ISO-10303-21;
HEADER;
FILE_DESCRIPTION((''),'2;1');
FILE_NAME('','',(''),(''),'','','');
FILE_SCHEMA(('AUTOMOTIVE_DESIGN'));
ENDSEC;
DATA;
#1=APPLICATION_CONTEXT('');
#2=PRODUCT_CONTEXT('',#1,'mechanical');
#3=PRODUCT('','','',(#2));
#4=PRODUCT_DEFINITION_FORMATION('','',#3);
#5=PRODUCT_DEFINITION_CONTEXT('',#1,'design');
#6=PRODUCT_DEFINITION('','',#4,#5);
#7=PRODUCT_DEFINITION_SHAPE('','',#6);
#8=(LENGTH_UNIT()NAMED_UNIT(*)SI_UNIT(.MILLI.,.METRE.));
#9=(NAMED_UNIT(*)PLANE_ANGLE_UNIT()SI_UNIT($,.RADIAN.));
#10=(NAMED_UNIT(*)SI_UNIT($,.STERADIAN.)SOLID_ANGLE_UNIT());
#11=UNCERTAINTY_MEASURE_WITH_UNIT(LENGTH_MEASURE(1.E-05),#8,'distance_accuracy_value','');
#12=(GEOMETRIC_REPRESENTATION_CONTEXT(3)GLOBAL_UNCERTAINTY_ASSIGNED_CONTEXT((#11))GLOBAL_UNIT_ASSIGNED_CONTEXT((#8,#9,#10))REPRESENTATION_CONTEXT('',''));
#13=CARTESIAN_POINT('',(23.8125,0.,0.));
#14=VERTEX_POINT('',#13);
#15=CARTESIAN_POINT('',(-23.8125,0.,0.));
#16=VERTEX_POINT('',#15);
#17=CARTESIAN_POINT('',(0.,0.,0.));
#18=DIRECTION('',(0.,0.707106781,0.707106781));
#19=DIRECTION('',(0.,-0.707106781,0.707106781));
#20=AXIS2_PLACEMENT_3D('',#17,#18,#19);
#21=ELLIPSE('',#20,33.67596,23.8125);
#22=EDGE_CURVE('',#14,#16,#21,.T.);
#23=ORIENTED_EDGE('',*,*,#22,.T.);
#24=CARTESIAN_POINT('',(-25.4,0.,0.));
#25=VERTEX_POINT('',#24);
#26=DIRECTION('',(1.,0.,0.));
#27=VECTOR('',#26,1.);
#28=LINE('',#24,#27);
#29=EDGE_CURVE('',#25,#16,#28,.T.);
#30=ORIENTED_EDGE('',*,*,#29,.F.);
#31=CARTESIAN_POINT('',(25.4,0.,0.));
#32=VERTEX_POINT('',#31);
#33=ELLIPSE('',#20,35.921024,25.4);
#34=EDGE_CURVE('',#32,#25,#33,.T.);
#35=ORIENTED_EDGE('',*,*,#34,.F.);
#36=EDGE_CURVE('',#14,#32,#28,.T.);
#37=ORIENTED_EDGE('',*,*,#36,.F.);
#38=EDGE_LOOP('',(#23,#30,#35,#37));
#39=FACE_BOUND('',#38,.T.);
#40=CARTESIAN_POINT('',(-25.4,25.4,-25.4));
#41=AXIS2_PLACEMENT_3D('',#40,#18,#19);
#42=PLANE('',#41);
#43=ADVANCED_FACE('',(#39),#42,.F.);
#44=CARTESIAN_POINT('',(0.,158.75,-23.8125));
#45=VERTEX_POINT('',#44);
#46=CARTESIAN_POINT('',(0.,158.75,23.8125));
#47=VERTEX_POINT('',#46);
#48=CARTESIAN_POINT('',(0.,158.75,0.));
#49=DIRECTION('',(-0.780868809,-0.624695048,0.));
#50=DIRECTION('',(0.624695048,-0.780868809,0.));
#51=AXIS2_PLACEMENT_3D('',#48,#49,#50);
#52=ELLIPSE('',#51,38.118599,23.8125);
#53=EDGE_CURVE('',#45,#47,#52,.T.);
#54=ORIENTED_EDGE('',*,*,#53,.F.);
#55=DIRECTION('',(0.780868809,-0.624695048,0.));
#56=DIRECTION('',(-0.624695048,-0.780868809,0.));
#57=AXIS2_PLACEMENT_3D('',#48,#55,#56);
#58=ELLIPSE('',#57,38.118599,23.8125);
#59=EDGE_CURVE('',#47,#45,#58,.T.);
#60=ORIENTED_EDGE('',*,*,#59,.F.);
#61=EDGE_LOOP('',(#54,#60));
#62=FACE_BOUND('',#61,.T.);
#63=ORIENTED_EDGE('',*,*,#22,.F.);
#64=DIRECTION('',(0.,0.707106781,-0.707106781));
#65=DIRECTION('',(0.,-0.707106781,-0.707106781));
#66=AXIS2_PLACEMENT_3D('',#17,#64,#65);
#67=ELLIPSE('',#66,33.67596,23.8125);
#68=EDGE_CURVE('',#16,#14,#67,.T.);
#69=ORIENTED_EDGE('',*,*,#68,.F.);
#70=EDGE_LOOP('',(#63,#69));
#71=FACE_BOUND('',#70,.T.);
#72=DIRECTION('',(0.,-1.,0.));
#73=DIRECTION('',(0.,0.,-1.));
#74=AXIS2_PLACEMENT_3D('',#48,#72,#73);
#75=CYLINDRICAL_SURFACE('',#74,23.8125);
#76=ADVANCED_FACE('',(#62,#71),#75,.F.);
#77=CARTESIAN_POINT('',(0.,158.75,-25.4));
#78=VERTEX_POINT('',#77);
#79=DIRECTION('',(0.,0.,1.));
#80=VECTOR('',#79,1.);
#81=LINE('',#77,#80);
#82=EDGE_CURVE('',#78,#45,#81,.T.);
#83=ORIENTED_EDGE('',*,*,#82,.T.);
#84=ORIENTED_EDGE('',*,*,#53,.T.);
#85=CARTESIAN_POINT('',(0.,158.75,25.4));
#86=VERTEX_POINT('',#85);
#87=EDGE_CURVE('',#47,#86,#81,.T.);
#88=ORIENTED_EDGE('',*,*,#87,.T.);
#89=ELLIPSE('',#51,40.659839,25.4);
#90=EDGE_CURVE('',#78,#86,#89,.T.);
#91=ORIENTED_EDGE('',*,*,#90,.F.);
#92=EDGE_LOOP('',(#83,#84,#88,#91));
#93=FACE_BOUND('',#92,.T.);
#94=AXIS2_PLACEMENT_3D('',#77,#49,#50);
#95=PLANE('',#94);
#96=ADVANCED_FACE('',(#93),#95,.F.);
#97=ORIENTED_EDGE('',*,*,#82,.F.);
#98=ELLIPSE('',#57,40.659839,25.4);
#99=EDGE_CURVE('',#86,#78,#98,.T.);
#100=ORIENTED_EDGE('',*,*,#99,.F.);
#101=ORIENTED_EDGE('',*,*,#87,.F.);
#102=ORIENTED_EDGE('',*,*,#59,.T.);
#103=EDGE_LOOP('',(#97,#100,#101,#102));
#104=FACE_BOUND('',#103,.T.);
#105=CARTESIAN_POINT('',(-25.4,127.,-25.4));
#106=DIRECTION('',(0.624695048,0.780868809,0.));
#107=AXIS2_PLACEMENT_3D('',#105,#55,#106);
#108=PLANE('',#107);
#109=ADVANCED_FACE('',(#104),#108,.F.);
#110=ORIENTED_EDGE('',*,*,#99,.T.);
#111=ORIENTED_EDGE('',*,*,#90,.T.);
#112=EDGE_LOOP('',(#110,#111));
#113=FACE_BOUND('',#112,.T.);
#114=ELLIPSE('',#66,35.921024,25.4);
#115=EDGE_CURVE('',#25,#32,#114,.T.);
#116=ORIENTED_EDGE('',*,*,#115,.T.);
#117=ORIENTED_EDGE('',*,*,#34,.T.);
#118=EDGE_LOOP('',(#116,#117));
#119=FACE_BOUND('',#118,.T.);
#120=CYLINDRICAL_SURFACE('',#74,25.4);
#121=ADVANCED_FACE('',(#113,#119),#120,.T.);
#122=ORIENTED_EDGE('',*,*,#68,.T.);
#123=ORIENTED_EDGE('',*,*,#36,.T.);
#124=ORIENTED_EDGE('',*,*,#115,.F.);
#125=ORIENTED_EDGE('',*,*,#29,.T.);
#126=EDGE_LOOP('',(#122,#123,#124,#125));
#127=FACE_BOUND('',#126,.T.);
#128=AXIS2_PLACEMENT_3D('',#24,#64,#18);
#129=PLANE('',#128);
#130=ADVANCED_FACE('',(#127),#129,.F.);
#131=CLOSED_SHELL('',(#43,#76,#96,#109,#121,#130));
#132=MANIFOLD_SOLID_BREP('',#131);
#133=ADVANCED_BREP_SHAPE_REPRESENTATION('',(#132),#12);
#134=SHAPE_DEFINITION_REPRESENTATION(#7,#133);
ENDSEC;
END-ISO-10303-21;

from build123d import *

# Parameters (mm, degrees)
SKETCH1_R               = 25.4
SKETCH1_R_2             = 23.8125
BOSS_EXTRUDE1_DEPTH     = 158.75
CUT_EXTRUDE1_DEPTH      = 163.763271348
CUT_EXTRUDE1_DEPTH_BACK = 163.763271348
CUT_EXTRUDE2_DEPTH      = 163.763271348
CUT_EXTRUDE2_DEPTH_BACK = 163.763271348


with BuildPart() as part:
    # Sketch1 → Boss-Extrude1 (new body)
    with BuildSketch(Plane(origin=(0, 0, 0), x_dir=(1, 0, 0), z_dir=(0, 1, 0))):
        with Locations(Location((0, 0, 0), (0, 0, 90))):
            Circle(SKETCH1_R)
        with Locations(Location((0, 0, 0), (0, 0, 90))):
            Circle(SKETCH1_R_2, mode=Mode.SUBTRACT)
    extrude(amount=BOSS_EXTRUDE1_DEPTH)

    # Sketch2 → Cut-Extrude1 (cut, two sides: drawn at the far end of the back side and taken through both)
    with BuildSketch(Plane.XY.offset(-CUT_EXTRUDE1_DEPTH_BACK)):
        Polygon((25.4, 127), (25.4, 158.75), (-0.960093291, 166.540490079), (-25.4, 158.75), (-25.4, 127), (0, 158.75), align=None)
    extrude(amount=CUT_EXTRUDE1_DEPTH + CUT_EXTRUDE1_DEPTH_BACK, mode=Mode.SUBTRACT)

    # Sketch3 → Cut-Extrude2 (cut, two sides: drawn at the far end of the back side and taken through both)
    with BuildSketch(Plane(origin=(0, 0, 0), x_dir=(0, 0, -1), z_dir=(1, 0, 0)).offset(-CUT_EXTRUDE2_DEPTH_BACK)):
        Polygon((-25.4, 25.4), (-25.4, 0), (0.032632353, -12.112837501), (25.4, 0), (25.4, 25.4), (0, 0), align=None)
    extrude(amount=CUT_EXTRUDE2_DEPTH + CUT_EXTRUDE2_DEPTH_BACK, mode=Mode.SUBTRACT)


solid = part.part
